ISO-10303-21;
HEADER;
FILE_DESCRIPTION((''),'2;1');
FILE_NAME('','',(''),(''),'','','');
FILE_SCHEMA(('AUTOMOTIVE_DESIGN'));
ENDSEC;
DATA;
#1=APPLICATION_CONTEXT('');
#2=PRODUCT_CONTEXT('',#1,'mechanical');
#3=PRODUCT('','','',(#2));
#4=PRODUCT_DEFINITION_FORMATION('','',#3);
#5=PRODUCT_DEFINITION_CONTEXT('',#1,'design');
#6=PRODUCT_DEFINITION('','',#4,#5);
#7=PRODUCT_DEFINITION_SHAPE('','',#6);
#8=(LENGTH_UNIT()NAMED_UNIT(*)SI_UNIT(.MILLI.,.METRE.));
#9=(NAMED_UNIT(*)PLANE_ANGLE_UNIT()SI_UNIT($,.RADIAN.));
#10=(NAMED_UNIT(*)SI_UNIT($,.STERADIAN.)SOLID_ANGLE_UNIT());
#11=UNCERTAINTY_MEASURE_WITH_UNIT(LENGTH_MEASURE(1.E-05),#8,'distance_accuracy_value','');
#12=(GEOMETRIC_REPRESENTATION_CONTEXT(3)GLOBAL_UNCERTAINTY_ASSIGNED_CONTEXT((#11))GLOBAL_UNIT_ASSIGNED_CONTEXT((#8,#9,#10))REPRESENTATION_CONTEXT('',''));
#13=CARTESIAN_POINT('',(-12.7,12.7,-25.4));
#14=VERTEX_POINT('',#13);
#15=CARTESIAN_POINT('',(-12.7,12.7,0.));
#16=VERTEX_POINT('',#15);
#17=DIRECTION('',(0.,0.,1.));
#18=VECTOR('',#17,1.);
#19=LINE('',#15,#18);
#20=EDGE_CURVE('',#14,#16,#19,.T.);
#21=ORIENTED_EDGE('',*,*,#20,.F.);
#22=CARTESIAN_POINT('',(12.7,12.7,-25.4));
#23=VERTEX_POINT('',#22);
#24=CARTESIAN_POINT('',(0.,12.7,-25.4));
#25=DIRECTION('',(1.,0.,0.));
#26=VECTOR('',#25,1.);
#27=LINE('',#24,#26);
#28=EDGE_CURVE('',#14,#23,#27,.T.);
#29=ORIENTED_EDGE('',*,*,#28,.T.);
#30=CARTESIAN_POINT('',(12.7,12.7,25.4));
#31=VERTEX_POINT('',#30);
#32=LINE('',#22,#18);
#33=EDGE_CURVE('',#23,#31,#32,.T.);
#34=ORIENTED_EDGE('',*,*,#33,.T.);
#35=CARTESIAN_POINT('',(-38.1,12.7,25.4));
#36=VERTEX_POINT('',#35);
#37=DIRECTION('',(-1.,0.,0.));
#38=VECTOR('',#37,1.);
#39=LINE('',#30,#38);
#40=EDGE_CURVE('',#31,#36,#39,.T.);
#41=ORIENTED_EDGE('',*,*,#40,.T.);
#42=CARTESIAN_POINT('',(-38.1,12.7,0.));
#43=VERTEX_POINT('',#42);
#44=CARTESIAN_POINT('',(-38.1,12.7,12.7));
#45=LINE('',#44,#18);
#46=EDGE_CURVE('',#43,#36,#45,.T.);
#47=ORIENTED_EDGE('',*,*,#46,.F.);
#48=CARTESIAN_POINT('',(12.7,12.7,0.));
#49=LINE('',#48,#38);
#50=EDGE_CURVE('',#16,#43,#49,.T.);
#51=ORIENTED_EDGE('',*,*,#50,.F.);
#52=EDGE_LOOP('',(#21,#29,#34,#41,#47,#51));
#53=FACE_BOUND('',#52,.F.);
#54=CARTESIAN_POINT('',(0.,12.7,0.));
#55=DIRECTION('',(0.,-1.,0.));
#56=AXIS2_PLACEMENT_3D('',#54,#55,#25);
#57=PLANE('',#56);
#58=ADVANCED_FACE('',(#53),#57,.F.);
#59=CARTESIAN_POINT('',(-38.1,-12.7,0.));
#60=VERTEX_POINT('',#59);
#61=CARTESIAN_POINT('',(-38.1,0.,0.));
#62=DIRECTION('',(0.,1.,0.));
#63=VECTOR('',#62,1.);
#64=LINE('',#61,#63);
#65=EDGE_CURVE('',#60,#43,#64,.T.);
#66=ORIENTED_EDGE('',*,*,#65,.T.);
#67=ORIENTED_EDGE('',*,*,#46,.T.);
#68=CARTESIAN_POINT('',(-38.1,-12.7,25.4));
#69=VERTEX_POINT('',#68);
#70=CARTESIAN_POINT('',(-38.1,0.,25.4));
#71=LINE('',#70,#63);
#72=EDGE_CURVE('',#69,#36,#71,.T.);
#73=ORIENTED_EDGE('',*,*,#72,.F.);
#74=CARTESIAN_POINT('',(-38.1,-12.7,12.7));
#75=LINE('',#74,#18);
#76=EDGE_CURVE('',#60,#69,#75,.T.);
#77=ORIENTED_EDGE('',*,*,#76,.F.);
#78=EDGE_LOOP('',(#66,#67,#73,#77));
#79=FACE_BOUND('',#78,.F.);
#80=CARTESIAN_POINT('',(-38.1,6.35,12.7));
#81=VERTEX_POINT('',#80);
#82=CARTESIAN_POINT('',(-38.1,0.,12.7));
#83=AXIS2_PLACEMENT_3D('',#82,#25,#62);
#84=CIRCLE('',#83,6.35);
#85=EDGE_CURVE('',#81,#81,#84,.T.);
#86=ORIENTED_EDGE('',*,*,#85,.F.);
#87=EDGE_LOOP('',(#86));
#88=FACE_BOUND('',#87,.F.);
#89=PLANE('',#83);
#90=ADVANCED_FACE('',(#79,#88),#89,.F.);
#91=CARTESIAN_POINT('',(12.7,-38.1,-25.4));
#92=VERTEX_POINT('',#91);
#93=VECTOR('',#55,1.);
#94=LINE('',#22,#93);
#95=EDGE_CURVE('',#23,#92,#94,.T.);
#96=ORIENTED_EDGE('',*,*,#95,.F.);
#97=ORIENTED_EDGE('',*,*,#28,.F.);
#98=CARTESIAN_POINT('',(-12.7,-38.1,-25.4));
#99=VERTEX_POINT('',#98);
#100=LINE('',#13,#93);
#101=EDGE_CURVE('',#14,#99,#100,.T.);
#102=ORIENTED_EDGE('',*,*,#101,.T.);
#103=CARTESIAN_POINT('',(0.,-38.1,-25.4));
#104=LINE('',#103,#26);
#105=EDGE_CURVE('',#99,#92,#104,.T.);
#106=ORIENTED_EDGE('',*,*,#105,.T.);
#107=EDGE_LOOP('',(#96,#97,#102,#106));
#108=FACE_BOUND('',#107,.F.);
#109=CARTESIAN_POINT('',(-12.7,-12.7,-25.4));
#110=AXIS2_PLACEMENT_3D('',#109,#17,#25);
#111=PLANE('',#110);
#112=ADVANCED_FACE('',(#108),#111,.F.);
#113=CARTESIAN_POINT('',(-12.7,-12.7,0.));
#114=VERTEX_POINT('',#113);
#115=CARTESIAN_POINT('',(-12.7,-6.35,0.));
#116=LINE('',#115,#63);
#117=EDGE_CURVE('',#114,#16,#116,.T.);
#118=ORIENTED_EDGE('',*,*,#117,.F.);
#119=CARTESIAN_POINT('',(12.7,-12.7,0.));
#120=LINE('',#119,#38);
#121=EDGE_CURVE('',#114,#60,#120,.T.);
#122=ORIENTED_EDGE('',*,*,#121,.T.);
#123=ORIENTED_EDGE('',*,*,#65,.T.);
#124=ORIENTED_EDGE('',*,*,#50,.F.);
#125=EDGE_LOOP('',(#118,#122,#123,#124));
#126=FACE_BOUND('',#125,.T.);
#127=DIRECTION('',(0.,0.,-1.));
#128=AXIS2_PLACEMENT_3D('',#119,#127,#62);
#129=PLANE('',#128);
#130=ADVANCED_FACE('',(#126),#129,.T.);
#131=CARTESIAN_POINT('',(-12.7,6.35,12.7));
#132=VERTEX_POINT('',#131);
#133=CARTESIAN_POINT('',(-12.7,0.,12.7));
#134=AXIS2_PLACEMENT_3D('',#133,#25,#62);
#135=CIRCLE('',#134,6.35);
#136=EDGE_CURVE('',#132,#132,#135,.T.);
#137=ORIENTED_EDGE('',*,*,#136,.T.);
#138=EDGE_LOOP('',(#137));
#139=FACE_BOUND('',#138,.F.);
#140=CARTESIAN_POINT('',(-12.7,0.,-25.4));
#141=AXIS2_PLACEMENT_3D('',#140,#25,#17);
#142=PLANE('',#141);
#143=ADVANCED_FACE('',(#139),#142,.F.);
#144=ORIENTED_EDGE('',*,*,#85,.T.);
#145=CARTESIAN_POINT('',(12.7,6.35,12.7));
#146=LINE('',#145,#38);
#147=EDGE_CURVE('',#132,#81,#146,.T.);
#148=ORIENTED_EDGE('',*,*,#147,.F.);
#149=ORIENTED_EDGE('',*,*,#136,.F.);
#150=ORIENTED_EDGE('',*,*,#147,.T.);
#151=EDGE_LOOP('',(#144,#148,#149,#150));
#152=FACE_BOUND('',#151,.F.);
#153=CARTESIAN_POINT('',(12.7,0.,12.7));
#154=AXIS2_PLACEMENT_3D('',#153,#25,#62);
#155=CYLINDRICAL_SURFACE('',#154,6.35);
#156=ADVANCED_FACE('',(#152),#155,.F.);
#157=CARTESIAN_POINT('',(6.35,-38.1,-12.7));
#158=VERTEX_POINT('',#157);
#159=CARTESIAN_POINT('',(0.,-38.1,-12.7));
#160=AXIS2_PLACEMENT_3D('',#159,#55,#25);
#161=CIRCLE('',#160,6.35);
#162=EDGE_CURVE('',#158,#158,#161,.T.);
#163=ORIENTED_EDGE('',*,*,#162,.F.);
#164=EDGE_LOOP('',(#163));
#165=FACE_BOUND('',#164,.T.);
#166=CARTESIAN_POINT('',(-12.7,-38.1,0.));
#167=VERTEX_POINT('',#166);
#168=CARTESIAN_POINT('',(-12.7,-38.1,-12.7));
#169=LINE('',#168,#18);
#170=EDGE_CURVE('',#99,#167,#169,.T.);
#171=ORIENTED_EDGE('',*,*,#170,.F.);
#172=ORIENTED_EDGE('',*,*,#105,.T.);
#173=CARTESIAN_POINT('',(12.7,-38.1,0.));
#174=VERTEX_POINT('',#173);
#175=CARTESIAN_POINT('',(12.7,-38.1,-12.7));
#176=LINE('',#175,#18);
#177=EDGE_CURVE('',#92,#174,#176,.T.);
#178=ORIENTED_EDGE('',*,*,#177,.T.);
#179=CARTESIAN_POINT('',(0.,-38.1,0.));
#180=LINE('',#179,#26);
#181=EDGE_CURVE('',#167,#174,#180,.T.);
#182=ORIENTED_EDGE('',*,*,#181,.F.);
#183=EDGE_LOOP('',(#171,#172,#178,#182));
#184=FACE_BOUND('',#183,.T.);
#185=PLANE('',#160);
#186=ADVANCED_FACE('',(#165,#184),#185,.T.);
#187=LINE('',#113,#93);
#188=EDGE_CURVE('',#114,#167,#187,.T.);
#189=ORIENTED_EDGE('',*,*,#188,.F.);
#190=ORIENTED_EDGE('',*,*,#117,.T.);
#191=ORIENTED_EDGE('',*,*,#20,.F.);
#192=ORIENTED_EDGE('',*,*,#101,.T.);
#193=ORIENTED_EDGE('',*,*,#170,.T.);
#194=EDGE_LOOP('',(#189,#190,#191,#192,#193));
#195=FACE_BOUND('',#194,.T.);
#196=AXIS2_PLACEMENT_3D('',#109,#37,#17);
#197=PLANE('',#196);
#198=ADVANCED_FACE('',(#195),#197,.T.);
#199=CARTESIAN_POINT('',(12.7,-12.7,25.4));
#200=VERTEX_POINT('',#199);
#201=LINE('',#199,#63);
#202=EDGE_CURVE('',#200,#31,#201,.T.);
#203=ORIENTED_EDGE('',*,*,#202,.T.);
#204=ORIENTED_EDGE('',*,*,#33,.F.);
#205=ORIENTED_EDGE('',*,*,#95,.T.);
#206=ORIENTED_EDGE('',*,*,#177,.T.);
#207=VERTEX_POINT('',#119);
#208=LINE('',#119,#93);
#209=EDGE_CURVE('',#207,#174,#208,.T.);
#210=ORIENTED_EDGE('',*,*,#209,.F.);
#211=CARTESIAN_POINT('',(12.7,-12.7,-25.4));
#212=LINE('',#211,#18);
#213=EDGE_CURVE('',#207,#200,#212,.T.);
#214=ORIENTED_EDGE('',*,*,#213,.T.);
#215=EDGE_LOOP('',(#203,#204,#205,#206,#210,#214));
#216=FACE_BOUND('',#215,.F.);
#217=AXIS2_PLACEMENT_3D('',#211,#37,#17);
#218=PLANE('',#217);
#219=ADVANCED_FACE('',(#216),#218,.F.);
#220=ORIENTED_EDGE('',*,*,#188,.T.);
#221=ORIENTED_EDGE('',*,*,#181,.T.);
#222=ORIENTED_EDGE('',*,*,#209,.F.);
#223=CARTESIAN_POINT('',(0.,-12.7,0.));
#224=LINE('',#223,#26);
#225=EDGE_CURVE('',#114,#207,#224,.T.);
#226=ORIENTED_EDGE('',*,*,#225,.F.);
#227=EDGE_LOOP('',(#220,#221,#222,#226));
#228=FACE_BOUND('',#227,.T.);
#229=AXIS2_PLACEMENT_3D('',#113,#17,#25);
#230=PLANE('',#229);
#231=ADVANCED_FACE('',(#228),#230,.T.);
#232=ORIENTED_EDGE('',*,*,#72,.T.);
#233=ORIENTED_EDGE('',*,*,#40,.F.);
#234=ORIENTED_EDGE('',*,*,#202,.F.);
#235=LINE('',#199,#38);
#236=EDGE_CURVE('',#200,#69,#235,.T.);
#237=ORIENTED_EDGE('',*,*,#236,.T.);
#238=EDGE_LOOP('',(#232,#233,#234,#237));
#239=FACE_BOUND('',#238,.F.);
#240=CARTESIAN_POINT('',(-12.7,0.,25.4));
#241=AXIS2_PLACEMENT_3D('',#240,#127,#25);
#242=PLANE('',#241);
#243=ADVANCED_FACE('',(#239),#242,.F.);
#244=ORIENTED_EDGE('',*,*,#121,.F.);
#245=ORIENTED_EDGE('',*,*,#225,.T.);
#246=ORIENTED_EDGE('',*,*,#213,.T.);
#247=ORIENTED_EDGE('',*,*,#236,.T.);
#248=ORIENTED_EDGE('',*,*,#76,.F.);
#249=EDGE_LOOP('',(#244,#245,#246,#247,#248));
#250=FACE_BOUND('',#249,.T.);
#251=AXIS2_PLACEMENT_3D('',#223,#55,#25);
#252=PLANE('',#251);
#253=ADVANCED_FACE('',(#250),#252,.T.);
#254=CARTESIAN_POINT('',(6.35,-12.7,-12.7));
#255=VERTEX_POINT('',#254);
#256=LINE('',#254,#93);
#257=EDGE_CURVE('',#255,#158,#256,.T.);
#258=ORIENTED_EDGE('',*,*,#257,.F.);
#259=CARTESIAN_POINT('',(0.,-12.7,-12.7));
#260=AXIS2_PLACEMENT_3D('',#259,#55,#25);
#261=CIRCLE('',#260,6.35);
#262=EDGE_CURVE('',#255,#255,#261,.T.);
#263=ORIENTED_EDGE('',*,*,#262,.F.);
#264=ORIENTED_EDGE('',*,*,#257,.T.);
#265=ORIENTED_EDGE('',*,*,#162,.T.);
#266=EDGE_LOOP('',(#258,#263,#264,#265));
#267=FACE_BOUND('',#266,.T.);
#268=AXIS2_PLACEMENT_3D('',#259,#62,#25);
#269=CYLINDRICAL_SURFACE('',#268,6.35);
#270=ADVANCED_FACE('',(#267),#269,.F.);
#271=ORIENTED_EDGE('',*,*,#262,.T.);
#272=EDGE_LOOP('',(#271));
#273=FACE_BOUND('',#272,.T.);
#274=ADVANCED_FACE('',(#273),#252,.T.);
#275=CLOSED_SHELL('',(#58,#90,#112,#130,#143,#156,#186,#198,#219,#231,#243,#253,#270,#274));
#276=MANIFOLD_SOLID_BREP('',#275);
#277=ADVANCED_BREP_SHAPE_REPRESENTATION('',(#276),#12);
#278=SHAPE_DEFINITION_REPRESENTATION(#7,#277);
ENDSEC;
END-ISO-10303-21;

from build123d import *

# Parameters (mm, degrees)
F0_W     = 25.4
F0_H     = 50.8
F1_DEPTH = 12.7
F3_W     = 25.4
F3_H     = 25.4
F3_R     = 6.35
F4_DEPTH = 50.8
F2_W     = 25.4
F2_H     = 25.4
F2_R     = 6.35
F5_DEPTH = 25.4


with BuildPart() as f1:
    # F0 (on Front) → F1 (new body, symmetric)
    with BuildSketch(Plane.XZ):
        Rectangle(F0_W, F0_H)
    extrude(amount=F1_DEPTH, both=True)

    # F3 (on face) → F4 (join)
    with BuildSketch(Plane.YZ.offset(12.7)):
        with Locations((0, 12.7)):
            Rectangle(F3_W, F3_H)
        with Locations((0, 12.7)):
            Circle(F3_R, mode=Mode.SUBTRACT)
    extrude(amount=-F4_DEPTH)

    # F2 (on face) → F5 (join)
    with BuildSketch(Plane.XZ.offset(12.7)):
        with Locations((0, -12.7)):
            Rectangle(F2_W, F2_H)
        with Locations((0, -12.7)):
            Circle(F2_R, mode=Mode.SUBTRACT)
    extrude(amount=F5_DEPTH)


solid = f1.part
